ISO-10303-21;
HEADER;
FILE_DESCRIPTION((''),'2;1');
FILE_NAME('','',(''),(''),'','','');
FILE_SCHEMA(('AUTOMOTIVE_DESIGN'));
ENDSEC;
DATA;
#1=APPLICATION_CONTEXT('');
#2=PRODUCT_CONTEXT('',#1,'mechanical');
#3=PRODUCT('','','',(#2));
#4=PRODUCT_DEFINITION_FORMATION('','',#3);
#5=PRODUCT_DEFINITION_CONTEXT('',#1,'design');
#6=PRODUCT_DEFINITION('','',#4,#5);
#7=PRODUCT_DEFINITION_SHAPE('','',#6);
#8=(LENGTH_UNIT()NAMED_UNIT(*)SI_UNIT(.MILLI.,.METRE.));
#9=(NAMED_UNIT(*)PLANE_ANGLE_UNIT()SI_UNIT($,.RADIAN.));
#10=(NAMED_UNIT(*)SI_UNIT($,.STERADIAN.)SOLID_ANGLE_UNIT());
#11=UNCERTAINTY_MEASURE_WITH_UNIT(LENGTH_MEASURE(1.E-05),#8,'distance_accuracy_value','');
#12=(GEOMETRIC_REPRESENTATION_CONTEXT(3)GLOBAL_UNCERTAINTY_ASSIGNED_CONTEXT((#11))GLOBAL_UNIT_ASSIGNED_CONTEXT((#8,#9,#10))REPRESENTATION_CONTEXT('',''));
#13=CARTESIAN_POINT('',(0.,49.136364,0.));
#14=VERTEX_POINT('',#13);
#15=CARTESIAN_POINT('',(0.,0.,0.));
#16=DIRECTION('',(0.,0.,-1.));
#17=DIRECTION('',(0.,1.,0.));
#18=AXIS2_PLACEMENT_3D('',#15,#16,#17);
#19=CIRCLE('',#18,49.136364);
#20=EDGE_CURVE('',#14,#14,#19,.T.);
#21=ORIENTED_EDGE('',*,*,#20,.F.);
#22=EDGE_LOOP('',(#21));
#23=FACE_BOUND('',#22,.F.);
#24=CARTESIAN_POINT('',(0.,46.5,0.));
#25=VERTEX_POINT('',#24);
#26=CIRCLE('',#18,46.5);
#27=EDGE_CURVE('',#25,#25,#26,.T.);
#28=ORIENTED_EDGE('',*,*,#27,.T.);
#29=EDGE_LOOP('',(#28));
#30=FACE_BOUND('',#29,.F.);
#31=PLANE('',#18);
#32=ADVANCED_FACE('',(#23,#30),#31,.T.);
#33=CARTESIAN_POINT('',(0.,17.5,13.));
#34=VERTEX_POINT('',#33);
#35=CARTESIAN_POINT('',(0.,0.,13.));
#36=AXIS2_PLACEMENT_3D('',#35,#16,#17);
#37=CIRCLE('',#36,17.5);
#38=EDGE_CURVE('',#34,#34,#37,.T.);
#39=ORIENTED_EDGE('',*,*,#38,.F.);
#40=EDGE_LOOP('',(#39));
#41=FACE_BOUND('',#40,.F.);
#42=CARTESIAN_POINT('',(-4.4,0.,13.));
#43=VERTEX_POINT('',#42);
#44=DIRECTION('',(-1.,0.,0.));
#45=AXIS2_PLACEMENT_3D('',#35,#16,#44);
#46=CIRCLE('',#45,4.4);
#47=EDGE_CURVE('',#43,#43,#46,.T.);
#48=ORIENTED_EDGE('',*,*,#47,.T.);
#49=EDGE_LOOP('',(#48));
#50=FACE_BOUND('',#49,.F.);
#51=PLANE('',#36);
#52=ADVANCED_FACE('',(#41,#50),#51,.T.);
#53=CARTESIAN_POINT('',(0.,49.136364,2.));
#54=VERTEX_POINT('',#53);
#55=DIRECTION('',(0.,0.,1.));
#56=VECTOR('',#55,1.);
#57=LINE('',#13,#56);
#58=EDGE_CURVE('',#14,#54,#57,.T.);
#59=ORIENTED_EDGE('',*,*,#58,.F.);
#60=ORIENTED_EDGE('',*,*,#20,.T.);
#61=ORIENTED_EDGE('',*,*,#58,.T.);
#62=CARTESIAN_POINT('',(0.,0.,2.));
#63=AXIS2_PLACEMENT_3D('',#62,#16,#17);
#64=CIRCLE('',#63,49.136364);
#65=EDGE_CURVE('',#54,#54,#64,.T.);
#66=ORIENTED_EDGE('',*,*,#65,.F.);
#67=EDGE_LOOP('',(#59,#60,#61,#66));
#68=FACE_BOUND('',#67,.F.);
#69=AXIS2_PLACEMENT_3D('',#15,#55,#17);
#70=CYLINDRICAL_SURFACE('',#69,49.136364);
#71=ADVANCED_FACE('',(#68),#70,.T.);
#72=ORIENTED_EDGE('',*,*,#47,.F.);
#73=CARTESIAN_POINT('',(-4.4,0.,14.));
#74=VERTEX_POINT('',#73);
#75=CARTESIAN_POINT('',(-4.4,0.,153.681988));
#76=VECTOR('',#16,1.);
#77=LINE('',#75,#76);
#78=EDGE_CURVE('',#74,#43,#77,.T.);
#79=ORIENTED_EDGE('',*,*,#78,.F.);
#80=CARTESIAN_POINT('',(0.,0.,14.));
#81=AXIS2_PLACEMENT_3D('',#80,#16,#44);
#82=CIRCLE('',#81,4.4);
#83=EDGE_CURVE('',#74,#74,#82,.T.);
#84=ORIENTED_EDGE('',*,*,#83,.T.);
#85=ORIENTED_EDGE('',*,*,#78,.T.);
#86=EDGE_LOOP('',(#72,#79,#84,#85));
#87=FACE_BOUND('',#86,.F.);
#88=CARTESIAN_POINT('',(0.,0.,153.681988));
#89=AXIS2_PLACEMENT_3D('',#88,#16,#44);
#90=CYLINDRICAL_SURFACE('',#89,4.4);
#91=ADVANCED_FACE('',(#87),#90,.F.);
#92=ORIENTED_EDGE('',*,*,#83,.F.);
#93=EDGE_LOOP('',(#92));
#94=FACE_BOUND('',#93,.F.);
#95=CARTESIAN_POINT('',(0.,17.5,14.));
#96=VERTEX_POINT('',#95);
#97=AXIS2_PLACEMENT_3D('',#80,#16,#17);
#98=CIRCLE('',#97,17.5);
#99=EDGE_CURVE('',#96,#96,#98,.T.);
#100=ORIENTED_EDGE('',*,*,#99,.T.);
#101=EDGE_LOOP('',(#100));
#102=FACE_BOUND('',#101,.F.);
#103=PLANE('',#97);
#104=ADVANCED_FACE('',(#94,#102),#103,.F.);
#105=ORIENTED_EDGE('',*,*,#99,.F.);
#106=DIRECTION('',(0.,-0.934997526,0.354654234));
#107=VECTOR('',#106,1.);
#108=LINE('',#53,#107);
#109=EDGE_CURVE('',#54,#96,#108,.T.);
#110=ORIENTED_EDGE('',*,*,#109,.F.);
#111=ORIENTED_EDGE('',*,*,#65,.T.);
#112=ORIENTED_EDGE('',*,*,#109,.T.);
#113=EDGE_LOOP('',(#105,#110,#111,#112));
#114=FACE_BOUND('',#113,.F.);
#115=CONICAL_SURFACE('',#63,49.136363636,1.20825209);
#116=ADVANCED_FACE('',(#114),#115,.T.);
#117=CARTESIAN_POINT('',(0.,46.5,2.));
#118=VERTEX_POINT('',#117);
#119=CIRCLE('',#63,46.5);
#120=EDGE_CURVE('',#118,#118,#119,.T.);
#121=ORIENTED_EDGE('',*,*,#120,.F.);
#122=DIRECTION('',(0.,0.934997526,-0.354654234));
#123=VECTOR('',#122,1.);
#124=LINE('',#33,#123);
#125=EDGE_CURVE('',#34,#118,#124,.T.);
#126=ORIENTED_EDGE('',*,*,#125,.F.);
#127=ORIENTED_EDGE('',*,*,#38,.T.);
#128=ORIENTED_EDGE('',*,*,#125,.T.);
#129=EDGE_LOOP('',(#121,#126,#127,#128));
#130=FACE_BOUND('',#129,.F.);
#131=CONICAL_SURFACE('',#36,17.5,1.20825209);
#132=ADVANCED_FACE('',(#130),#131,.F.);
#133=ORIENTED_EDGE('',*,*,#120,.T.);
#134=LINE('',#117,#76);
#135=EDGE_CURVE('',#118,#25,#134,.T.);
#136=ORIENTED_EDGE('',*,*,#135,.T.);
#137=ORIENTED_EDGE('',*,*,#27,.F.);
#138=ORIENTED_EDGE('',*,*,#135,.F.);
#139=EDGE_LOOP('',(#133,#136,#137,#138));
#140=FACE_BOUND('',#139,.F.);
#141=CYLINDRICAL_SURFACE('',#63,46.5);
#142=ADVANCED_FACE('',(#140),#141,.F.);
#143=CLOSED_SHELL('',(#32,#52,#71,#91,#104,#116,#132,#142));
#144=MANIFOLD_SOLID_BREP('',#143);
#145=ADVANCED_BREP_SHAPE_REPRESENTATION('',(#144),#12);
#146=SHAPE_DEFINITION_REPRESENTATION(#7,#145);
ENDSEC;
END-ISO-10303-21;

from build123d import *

# Parameters (mm, degrees)
F3_D = 8.8


with BuildPart() as f1:
    # F0 (on Right) → F1 (revolve)
    with BuildSketch(Plane.YZ):
        Polygon((46.5, 2), (46.5, 0), (49.1363636364, 0), (49.1363636364, 2), (17.5, 14), (0, 14), (0, 13), (17.5, 13), align=None)
    revolve(axis=Axis((0, 0, 13.5), (0, 0, -1)))

    # F3 (through all)
    with Locations(Plane.XY.offset(14)):
        with Locations((0, 0)):
            Hole(F3_D / 2)


solid = f1.part
